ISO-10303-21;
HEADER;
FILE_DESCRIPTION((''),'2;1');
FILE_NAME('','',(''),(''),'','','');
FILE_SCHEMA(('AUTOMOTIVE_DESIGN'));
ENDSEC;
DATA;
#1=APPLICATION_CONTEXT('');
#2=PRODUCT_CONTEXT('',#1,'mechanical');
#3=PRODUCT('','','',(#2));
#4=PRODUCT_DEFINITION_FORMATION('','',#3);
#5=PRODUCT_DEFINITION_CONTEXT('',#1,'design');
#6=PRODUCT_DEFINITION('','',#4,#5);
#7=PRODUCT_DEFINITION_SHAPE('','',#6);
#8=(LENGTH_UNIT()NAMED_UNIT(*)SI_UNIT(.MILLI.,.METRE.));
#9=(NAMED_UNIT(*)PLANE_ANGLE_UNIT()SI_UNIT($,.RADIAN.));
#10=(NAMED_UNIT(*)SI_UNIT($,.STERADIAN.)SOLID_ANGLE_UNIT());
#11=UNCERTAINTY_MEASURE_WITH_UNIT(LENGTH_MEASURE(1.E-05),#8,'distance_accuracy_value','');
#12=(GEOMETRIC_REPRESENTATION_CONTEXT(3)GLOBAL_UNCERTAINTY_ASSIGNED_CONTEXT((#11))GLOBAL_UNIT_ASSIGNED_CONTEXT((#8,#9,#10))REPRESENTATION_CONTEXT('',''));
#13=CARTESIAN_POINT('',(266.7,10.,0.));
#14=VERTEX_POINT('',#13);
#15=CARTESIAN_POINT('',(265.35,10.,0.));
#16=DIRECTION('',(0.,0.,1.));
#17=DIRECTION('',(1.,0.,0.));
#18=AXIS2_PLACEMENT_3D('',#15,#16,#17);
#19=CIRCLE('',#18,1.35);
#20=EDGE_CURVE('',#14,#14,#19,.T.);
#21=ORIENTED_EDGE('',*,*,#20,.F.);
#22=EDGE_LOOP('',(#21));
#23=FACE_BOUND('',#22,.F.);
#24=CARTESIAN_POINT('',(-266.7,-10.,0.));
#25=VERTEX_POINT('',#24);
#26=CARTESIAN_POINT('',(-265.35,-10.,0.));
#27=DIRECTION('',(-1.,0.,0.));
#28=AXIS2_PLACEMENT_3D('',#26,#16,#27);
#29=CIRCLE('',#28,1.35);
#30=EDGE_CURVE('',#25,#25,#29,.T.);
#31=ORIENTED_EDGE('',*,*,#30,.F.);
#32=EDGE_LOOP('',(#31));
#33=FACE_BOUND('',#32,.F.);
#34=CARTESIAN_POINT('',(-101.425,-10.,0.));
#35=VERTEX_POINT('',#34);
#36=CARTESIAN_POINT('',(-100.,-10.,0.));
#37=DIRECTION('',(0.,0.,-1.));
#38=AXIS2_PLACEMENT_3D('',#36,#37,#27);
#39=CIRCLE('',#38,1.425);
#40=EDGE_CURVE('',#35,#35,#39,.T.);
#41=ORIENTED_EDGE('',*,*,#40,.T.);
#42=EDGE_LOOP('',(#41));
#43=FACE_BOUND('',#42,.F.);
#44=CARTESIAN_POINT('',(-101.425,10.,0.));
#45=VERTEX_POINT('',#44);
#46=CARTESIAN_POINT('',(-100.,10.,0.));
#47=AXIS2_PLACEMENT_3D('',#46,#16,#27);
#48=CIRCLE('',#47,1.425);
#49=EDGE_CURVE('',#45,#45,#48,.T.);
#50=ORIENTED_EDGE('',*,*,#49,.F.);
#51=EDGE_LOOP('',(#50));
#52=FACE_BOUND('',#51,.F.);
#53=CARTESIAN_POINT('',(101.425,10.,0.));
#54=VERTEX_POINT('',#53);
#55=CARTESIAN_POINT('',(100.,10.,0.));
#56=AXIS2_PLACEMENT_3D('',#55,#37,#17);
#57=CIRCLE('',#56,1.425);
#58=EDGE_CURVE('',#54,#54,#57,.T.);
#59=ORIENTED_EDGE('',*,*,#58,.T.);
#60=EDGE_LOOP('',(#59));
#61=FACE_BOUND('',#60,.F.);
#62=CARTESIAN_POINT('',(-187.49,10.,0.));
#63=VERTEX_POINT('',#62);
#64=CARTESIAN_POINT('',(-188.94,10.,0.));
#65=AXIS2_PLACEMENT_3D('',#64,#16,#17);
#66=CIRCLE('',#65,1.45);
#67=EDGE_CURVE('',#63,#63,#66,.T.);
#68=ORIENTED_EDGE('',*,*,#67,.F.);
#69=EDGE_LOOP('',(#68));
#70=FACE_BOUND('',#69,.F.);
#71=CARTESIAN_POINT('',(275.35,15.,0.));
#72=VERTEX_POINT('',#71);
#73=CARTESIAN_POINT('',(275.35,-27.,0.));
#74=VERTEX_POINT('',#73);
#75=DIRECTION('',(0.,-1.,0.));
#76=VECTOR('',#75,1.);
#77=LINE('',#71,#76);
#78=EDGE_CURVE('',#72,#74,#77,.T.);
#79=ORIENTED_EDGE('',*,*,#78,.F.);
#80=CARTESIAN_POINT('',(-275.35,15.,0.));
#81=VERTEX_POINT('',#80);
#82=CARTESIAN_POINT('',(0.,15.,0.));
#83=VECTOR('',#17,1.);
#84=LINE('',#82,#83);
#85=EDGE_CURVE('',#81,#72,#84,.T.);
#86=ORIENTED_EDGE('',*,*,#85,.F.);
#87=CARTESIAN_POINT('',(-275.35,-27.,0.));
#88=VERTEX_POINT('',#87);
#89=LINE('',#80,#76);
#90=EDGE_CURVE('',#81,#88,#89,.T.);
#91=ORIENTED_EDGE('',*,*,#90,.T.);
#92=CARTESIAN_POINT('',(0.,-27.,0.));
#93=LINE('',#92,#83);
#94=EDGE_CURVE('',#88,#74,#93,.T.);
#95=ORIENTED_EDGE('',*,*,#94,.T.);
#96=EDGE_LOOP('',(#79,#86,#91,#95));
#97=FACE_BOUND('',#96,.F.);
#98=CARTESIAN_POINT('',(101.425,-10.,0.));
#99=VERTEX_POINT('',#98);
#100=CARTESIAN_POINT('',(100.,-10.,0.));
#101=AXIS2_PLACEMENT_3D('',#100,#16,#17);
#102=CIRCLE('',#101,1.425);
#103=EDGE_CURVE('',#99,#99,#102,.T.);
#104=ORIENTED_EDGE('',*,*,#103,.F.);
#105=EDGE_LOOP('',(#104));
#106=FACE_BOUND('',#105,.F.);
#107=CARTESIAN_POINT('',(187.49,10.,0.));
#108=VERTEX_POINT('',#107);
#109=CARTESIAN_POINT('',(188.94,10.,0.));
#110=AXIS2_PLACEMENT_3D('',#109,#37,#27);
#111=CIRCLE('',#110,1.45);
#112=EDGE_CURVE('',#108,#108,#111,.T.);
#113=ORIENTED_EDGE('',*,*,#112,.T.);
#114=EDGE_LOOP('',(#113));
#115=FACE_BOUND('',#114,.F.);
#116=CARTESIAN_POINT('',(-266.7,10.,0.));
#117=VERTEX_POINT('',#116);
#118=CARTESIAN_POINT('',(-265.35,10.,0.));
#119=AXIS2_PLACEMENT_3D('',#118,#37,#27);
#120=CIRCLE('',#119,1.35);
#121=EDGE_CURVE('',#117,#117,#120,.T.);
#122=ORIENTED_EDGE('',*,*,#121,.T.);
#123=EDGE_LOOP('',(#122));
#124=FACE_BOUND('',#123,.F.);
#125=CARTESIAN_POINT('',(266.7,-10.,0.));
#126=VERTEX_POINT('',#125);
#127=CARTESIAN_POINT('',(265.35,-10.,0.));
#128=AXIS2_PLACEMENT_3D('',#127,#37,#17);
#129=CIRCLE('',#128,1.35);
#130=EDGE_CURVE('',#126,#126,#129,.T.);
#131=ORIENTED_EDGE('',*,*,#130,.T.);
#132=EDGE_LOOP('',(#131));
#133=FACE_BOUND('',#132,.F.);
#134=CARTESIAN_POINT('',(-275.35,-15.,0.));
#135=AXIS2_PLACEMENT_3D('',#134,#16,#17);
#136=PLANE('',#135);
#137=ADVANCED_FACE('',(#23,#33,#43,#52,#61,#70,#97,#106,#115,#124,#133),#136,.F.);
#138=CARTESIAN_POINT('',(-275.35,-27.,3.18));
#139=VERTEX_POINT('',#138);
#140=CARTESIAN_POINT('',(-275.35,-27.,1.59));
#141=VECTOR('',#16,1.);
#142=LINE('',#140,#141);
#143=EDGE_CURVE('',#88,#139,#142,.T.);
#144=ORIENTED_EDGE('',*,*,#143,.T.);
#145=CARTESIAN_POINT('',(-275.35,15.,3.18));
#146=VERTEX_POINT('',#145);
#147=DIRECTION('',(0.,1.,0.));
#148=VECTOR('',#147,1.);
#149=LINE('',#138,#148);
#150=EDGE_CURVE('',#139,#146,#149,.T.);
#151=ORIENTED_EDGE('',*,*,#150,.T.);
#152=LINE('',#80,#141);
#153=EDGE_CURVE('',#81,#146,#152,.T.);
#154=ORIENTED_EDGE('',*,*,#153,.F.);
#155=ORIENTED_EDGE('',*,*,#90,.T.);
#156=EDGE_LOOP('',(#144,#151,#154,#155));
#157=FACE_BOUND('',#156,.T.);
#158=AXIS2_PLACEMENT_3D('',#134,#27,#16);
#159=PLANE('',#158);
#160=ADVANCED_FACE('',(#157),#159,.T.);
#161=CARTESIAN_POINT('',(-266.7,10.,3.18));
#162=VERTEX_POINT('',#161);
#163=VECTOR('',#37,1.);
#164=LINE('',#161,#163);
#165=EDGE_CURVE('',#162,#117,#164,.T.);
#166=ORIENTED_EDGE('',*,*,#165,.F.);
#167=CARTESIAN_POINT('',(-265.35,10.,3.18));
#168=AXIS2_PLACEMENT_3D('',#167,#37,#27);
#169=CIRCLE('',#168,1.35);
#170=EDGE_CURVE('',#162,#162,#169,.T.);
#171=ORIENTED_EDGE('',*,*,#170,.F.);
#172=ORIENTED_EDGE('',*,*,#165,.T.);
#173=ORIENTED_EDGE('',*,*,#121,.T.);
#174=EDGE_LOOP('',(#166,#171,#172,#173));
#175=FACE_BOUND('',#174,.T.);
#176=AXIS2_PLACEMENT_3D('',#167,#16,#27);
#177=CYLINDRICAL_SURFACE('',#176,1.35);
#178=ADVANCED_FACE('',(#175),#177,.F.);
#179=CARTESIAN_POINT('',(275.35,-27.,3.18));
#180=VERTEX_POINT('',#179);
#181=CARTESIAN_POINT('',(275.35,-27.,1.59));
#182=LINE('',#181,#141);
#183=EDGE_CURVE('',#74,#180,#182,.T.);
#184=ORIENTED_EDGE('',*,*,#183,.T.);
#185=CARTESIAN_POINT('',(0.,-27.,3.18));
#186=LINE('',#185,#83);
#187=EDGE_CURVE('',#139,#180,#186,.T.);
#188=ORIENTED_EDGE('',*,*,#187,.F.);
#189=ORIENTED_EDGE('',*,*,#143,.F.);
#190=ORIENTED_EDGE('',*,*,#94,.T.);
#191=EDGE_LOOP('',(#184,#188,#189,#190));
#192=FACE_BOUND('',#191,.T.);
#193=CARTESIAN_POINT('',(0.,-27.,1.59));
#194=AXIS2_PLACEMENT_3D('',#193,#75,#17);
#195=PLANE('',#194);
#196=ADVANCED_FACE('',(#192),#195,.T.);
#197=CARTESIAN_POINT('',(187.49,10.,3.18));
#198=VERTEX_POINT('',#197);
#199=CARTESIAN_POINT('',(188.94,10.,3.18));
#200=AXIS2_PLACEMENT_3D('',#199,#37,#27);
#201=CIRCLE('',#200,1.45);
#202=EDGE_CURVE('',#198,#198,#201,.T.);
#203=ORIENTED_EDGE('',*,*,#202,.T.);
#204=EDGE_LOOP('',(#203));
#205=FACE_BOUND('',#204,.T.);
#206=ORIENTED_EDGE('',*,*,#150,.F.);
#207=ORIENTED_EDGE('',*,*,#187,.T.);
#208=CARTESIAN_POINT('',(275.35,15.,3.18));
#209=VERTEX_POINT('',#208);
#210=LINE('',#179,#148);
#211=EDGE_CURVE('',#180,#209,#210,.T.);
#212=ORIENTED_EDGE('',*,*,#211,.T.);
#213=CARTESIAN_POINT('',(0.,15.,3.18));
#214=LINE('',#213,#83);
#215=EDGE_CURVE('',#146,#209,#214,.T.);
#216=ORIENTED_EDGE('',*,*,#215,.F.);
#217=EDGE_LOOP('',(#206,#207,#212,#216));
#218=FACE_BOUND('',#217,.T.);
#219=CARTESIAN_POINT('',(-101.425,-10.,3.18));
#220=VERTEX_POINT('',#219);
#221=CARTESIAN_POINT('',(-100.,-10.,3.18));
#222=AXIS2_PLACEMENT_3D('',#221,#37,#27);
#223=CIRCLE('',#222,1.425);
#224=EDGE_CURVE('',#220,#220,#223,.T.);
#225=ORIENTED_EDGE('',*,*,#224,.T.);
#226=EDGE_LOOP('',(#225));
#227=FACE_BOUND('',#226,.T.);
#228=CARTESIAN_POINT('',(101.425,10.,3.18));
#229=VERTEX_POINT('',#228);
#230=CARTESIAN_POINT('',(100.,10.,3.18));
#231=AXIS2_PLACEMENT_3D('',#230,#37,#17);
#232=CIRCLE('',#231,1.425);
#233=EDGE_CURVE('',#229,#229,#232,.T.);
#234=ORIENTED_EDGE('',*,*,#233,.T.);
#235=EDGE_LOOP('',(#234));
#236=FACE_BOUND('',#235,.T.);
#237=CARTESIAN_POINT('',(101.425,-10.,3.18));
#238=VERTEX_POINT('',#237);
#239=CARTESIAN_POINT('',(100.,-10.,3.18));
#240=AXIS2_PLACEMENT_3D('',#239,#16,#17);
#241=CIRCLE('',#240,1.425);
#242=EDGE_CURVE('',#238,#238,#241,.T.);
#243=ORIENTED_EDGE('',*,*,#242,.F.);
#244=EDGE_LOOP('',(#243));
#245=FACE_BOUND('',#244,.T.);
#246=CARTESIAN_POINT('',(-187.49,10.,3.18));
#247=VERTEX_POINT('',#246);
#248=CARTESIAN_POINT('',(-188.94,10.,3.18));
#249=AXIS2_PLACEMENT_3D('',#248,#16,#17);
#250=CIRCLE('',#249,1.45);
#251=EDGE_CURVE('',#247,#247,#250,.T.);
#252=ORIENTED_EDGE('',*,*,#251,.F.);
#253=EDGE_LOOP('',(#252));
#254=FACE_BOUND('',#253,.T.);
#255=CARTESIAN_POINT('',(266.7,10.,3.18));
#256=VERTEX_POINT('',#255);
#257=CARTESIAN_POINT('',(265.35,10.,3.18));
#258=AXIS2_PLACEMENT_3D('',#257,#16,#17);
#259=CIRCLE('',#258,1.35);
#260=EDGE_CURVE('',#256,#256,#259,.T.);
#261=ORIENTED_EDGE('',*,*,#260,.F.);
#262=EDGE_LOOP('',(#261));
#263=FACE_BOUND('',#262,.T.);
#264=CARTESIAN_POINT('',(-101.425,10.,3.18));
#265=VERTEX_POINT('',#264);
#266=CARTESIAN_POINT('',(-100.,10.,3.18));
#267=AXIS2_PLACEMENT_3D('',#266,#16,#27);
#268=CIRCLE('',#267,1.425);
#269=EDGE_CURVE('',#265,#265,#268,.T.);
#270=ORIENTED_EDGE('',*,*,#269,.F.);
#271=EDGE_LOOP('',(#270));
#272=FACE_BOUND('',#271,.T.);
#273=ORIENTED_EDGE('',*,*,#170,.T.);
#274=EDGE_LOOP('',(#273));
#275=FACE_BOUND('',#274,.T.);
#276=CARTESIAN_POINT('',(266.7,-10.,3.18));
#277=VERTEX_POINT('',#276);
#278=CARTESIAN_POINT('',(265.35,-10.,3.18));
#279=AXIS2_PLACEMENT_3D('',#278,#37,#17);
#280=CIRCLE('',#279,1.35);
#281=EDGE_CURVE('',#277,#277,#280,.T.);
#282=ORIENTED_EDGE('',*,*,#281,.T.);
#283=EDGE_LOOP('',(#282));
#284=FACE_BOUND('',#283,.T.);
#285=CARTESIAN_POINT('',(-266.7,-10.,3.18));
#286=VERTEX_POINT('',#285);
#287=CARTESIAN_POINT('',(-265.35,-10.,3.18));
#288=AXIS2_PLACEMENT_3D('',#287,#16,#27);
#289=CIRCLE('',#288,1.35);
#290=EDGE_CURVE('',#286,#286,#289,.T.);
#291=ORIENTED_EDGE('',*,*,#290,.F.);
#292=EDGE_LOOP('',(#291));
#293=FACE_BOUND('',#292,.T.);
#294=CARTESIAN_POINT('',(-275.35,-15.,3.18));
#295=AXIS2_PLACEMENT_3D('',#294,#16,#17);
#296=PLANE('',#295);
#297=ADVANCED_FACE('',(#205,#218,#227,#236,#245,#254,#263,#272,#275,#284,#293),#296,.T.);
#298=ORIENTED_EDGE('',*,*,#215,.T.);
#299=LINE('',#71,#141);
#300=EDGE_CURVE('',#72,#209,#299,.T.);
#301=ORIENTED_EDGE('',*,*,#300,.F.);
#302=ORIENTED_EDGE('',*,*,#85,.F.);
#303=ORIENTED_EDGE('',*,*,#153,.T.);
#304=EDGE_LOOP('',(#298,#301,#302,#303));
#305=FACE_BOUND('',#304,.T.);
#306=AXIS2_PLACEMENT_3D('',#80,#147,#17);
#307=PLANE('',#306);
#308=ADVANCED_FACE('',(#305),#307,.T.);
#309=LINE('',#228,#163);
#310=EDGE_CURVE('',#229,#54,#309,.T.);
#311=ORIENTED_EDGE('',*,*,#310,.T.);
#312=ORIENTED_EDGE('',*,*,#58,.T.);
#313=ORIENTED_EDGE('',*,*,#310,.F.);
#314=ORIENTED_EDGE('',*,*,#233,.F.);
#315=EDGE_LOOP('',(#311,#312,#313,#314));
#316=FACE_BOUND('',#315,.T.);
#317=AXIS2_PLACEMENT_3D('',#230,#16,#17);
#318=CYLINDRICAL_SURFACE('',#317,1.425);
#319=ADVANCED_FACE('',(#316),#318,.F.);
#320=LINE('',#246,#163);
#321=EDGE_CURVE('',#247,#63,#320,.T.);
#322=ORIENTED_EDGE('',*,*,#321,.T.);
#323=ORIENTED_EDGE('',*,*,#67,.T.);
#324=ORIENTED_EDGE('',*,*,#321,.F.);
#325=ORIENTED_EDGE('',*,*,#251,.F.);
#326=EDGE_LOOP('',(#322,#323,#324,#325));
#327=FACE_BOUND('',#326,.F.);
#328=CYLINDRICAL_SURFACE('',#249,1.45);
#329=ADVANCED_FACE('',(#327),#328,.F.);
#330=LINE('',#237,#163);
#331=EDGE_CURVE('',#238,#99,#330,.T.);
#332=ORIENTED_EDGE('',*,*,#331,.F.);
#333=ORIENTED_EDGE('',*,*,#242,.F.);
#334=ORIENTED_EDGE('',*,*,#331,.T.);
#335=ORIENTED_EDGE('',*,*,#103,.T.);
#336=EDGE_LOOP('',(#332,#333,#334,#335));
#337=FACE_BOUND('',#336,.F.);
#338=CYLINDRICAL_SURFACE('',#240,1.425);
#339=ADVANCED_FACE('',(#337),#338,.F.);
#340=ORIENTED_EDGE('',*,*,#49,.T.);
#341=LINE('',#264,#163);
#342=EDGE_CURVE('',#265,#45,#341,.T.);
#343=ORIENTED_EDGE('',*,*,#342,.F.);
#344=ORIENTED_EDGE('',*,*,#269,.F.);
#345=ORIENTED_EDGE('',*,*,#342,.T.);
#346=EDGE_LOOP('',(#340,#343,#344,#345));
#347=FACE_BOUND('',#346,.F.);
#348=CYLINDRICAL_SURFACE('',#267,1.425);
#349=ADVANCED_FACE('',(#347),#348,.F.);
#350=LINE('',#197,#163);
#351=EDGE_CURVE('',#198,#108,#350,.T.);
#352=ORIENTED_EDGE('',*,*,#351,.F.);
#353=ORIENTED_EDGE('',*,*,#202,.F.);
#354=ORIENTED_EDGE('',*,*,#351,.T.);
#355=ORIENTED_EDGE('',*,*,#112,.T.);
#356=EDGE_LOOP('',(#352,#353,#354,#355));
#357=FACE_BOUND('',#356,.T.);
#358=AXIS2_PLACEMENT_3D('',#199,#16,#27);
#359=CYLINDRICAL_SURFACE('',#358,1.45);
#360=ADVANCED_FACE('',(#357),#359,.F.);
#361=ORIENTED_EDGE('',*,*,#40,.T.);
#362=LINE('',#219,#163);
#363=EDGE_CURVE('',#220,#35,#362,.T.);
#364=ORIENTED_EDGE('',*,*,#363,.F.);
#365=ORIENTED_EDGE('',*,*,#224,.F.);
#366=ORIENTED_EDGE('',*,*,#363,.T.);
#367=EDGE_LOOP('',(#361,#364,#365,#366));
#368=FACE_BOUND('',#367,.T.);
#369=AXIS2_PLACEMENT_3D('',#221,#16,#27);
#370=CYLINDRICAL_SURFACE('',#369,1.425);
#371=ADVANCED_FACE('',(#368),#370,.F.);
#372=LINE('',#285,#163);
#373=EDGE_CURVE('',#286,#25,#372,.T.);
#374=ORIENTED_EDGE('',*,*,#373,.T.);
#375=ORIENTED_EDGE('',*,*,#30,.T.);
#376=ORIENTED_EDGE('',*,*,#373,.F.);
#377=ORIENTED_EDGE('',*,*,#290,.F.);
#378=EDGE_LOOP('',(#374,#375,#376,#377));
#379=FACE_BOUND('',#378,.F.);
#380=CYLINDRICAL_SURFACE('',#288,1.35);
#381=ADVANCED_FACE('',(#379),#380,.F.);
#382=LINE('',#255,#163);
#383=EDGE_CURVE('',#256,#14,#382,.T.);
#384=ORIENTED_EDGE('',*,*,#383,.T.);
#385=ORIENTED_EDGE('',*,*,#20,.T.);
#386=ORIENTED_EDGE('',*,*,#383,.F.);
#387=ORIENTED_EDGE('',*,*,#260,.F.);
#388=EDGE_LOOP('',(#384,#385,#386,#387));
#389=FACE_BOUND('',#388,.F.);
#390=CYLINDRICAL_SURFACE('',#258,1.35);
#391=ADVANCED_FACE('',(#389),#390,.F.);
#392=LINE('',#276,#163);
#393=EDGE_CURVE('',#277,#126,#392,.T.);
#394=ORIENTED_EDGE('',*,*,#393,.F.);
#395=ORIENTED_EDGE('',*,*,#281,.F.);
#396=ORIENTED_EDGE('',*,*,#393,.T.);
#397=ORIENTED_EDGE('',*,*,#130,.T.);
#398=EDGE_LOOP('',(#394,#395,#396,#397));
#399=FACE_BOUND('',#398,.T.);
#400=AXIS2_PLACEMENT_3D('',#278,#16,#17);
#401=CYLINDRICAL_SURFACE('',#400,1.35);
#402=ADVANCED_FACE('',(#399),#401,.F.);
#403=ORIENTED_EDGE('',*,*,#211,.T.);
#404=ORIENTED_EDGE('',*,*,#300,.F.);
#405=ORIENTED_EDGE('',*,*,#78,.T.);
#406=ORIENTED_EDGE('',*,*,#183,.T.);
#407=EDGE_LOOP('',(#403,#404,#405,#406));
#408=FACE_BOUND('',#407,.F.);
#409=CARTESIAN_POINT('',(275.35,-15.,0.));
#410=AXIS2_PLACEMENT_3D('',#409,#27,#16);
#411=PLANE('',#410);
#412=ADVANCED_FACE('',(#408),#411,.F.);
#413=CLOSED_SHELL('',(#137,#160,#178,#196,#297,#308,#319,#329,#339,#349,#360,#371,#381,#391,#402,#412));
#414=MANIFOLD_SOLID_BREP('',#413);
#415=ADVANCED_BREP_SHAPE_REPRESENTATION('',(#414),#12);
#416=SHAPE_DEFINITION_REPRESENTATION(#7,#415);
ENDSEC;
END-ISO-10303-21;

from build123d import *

# Parameters (mm, degrees)
SKETCH3_W               = 550.7
SKETCH3_H               = 30
BOSS_EXTRUDE3_DEPTH     = 3.18
CUT_EXTRUDE1_REACH      = 277.777
SKETCH4_R               = 1.35
MIRROR2_COPY_1_REACH    = 277.777
MIRROR2_COPY_1_SKETCH_R = 1.35
CUT_EXTRUDE2_REACH      = 277.777
SKETCH5_R               = 1.425
MIRROR4_COPY_1_REACH    = 277.777
MIRROR4_COPY_1_SKETCH_R = 1.425
SKETCH6_W               = 550.7
SKETCH6_H               = 3.18
BOSS_EXTRUDE4_DEPTH     = 12
CUT_EXTRUDE3_REACH      = 278.689
SKETCH7_R               = 1.45


with BuildPart() as part:
    # Sketch3 → Boss-Extrude3 (new body)
    with BuildSketch(Plane.XY):
        Rectangle(SKETCH3_W, SKETCH3_H)
    extrude(amount=BOSS_EXTRUDE3_DEPTH)

    # Sketch4 → Cut-Extrude1 (cut, up to next)
    with BuildSketch(Plane.XY.offset(3.18), mode=Mode.PRIVATE) as cut_extrude1_sk1:
        with Locations((265.35, 10)):
            Circle(SKETCH4_R)
    cut_extrude1_tool1 = extrude(cut_extrude1_sk1.sketch, amount=-CUT_EXTRUDE1_REACH, mode=Mode.PRIVATE) & part.part
    cut_extrude1 = cut_extrude1_tool1.solids().sort_by_distance((265.35, 10, 3.18))[0]
    add(cut_extrude1, mode=Mode.SUBTRACT)

    # Mirror1: Cut-Extrude1 across plane
    add(cut_extrude1.mirror(Plane.ZX), mode=Mode.SUBTRACT)

    # Mirror2: Cut-Extrude1 across plane
    add(cut_extrude1.mirror(Plane(origin=(0, 0, 0), x_dir=(0, 0, 1), z_dir=(1, 0, 0))), mode=Mode.SUBTRACT)

    # Mirror2 copy 1 sketch → Mirror2 copy 1 (cut, up to next)
    with BuildSketch(Plane(origin=(0, 0, 3.18), x_dir=(-1, 0, 0), z_dir=(0, 0, 1)), mode=Mode.PRIVATE) as mirror2_copy_1_sk1:
        with Locations((265.35, 10)):
            Circle(MIRROR2_COPY_1_SKETCH_R)
    mirror2_copy_1_tool1 = extrude(mirror2_copy_1_sk1.sketch, amount=-MIRROR2_COPY_1_REACH, mode=Mode.PRIVATE) & part.part
    add(mirror2_copy_1_tool1.solids().sort_by_distance((-265.35, -10, 3.18))[0], mode=Mode.SUBTRACT)

    # Sketch5 → Cut-Extrude2 (cut, up to next)
    with BuildSketch(Plane.XY.offset(3.18), mode=Mode.PRIVATE) as cut_extrude2_sk1:
        with Locations((100, -10)):
            Circle(SKETCH5_R)
    cut_extrude2_tool1 = extrude(cut_extrude2_sk1.sketch, amount=-CUT_EXTRUDE2_REACH, mode=Mode.PRIVATE) & part.part
    cut_extrude2 = cut_extrude2_tool1.solids().sort_by_distance((100, -10, 3.18))[0]
    add(cut_extrude2, mode=Mode.SUBTRACT)

    # Mirror3: Cut-Extrude2 across plane
    add(cut_extrude2.mirror(Plane(origin=(0, 0, 0), x_dir=(0, 0, 1), z_dir=(1, 0, 0))), mode=Mode.SUBTRACT)

    # Mirror4: Cut-Extrude2 across plane
    add(cut_extrude2.mirror(Plane.ZX), mode=Mode.SUBTRACT)

    # Mirror4 copy 1 sketch → Mirror4 copy 1 (cut, up to next)
    with BuildSketch(Plane(origin=(0, 0, 3.18), x_dir=(-1, 0, 0), z_dir=(0, 0, 1)), mode=Mode.PRIVATE) as mirror4_copy_1_sk1:
        with Locations((100, -10)):
            Circle(MIRROR4_COPY_1_SKETCH_R)
    mirror4_copy_1_tool1 = extrude(mirror4_copy_1_sk1.sketch, amount=-MIRROR4_COPY_1_REACH, mode=Mode.PRIVATE) & part.part
    add(mirror4_copy_1_tool1.solids().sort_by_distance((-100, 10, 3.18))[0], mode=Mode.SUBTRACT)

    # Sketch6 → Boss-Extrude4 (add)
    with BuildSketch(Plane.XZ.offset(15)):
        with Locations((0, 1.59)):
            Rectangle(SKETCH6_W, SKETCH6_H)
    extrude(amount=BOSS_EXTRUDE4_DEPTH)

    # Sketch7 → Cut-Extrude3 (cut, up to next)
    with BuildSketch(Plane.XY.offset(3.18), mode=Mode.PRIVATE) as cut_extrude3_sk1:
        with Locations((-188.94, 10)):
            Circle(SKETCH7_R)
    cut_extrude3_tool1 = extrude(cut_extrude3_sk1.sketch, amount=-CUT_EXTRUDE3_REACH, mode=Mode.PRIVATE) & part.part
    cut_extrude3 = cut_extrude3_tool1.solids().sort_by_distance((-188.94, 10, 3.18))[0]
    add(cut_extrude3, mode=Mode.SUBTRACT)

    # Mirror5: Cut-Extrude3 across plane
    add(cut_extrude3.mirror(Plane(origin=(0, 0, 0), x_dir=(0, 0, 1), z_dir=(1, 0, 0))), mode=Mode.SUBTRACT)


solid = part.part
